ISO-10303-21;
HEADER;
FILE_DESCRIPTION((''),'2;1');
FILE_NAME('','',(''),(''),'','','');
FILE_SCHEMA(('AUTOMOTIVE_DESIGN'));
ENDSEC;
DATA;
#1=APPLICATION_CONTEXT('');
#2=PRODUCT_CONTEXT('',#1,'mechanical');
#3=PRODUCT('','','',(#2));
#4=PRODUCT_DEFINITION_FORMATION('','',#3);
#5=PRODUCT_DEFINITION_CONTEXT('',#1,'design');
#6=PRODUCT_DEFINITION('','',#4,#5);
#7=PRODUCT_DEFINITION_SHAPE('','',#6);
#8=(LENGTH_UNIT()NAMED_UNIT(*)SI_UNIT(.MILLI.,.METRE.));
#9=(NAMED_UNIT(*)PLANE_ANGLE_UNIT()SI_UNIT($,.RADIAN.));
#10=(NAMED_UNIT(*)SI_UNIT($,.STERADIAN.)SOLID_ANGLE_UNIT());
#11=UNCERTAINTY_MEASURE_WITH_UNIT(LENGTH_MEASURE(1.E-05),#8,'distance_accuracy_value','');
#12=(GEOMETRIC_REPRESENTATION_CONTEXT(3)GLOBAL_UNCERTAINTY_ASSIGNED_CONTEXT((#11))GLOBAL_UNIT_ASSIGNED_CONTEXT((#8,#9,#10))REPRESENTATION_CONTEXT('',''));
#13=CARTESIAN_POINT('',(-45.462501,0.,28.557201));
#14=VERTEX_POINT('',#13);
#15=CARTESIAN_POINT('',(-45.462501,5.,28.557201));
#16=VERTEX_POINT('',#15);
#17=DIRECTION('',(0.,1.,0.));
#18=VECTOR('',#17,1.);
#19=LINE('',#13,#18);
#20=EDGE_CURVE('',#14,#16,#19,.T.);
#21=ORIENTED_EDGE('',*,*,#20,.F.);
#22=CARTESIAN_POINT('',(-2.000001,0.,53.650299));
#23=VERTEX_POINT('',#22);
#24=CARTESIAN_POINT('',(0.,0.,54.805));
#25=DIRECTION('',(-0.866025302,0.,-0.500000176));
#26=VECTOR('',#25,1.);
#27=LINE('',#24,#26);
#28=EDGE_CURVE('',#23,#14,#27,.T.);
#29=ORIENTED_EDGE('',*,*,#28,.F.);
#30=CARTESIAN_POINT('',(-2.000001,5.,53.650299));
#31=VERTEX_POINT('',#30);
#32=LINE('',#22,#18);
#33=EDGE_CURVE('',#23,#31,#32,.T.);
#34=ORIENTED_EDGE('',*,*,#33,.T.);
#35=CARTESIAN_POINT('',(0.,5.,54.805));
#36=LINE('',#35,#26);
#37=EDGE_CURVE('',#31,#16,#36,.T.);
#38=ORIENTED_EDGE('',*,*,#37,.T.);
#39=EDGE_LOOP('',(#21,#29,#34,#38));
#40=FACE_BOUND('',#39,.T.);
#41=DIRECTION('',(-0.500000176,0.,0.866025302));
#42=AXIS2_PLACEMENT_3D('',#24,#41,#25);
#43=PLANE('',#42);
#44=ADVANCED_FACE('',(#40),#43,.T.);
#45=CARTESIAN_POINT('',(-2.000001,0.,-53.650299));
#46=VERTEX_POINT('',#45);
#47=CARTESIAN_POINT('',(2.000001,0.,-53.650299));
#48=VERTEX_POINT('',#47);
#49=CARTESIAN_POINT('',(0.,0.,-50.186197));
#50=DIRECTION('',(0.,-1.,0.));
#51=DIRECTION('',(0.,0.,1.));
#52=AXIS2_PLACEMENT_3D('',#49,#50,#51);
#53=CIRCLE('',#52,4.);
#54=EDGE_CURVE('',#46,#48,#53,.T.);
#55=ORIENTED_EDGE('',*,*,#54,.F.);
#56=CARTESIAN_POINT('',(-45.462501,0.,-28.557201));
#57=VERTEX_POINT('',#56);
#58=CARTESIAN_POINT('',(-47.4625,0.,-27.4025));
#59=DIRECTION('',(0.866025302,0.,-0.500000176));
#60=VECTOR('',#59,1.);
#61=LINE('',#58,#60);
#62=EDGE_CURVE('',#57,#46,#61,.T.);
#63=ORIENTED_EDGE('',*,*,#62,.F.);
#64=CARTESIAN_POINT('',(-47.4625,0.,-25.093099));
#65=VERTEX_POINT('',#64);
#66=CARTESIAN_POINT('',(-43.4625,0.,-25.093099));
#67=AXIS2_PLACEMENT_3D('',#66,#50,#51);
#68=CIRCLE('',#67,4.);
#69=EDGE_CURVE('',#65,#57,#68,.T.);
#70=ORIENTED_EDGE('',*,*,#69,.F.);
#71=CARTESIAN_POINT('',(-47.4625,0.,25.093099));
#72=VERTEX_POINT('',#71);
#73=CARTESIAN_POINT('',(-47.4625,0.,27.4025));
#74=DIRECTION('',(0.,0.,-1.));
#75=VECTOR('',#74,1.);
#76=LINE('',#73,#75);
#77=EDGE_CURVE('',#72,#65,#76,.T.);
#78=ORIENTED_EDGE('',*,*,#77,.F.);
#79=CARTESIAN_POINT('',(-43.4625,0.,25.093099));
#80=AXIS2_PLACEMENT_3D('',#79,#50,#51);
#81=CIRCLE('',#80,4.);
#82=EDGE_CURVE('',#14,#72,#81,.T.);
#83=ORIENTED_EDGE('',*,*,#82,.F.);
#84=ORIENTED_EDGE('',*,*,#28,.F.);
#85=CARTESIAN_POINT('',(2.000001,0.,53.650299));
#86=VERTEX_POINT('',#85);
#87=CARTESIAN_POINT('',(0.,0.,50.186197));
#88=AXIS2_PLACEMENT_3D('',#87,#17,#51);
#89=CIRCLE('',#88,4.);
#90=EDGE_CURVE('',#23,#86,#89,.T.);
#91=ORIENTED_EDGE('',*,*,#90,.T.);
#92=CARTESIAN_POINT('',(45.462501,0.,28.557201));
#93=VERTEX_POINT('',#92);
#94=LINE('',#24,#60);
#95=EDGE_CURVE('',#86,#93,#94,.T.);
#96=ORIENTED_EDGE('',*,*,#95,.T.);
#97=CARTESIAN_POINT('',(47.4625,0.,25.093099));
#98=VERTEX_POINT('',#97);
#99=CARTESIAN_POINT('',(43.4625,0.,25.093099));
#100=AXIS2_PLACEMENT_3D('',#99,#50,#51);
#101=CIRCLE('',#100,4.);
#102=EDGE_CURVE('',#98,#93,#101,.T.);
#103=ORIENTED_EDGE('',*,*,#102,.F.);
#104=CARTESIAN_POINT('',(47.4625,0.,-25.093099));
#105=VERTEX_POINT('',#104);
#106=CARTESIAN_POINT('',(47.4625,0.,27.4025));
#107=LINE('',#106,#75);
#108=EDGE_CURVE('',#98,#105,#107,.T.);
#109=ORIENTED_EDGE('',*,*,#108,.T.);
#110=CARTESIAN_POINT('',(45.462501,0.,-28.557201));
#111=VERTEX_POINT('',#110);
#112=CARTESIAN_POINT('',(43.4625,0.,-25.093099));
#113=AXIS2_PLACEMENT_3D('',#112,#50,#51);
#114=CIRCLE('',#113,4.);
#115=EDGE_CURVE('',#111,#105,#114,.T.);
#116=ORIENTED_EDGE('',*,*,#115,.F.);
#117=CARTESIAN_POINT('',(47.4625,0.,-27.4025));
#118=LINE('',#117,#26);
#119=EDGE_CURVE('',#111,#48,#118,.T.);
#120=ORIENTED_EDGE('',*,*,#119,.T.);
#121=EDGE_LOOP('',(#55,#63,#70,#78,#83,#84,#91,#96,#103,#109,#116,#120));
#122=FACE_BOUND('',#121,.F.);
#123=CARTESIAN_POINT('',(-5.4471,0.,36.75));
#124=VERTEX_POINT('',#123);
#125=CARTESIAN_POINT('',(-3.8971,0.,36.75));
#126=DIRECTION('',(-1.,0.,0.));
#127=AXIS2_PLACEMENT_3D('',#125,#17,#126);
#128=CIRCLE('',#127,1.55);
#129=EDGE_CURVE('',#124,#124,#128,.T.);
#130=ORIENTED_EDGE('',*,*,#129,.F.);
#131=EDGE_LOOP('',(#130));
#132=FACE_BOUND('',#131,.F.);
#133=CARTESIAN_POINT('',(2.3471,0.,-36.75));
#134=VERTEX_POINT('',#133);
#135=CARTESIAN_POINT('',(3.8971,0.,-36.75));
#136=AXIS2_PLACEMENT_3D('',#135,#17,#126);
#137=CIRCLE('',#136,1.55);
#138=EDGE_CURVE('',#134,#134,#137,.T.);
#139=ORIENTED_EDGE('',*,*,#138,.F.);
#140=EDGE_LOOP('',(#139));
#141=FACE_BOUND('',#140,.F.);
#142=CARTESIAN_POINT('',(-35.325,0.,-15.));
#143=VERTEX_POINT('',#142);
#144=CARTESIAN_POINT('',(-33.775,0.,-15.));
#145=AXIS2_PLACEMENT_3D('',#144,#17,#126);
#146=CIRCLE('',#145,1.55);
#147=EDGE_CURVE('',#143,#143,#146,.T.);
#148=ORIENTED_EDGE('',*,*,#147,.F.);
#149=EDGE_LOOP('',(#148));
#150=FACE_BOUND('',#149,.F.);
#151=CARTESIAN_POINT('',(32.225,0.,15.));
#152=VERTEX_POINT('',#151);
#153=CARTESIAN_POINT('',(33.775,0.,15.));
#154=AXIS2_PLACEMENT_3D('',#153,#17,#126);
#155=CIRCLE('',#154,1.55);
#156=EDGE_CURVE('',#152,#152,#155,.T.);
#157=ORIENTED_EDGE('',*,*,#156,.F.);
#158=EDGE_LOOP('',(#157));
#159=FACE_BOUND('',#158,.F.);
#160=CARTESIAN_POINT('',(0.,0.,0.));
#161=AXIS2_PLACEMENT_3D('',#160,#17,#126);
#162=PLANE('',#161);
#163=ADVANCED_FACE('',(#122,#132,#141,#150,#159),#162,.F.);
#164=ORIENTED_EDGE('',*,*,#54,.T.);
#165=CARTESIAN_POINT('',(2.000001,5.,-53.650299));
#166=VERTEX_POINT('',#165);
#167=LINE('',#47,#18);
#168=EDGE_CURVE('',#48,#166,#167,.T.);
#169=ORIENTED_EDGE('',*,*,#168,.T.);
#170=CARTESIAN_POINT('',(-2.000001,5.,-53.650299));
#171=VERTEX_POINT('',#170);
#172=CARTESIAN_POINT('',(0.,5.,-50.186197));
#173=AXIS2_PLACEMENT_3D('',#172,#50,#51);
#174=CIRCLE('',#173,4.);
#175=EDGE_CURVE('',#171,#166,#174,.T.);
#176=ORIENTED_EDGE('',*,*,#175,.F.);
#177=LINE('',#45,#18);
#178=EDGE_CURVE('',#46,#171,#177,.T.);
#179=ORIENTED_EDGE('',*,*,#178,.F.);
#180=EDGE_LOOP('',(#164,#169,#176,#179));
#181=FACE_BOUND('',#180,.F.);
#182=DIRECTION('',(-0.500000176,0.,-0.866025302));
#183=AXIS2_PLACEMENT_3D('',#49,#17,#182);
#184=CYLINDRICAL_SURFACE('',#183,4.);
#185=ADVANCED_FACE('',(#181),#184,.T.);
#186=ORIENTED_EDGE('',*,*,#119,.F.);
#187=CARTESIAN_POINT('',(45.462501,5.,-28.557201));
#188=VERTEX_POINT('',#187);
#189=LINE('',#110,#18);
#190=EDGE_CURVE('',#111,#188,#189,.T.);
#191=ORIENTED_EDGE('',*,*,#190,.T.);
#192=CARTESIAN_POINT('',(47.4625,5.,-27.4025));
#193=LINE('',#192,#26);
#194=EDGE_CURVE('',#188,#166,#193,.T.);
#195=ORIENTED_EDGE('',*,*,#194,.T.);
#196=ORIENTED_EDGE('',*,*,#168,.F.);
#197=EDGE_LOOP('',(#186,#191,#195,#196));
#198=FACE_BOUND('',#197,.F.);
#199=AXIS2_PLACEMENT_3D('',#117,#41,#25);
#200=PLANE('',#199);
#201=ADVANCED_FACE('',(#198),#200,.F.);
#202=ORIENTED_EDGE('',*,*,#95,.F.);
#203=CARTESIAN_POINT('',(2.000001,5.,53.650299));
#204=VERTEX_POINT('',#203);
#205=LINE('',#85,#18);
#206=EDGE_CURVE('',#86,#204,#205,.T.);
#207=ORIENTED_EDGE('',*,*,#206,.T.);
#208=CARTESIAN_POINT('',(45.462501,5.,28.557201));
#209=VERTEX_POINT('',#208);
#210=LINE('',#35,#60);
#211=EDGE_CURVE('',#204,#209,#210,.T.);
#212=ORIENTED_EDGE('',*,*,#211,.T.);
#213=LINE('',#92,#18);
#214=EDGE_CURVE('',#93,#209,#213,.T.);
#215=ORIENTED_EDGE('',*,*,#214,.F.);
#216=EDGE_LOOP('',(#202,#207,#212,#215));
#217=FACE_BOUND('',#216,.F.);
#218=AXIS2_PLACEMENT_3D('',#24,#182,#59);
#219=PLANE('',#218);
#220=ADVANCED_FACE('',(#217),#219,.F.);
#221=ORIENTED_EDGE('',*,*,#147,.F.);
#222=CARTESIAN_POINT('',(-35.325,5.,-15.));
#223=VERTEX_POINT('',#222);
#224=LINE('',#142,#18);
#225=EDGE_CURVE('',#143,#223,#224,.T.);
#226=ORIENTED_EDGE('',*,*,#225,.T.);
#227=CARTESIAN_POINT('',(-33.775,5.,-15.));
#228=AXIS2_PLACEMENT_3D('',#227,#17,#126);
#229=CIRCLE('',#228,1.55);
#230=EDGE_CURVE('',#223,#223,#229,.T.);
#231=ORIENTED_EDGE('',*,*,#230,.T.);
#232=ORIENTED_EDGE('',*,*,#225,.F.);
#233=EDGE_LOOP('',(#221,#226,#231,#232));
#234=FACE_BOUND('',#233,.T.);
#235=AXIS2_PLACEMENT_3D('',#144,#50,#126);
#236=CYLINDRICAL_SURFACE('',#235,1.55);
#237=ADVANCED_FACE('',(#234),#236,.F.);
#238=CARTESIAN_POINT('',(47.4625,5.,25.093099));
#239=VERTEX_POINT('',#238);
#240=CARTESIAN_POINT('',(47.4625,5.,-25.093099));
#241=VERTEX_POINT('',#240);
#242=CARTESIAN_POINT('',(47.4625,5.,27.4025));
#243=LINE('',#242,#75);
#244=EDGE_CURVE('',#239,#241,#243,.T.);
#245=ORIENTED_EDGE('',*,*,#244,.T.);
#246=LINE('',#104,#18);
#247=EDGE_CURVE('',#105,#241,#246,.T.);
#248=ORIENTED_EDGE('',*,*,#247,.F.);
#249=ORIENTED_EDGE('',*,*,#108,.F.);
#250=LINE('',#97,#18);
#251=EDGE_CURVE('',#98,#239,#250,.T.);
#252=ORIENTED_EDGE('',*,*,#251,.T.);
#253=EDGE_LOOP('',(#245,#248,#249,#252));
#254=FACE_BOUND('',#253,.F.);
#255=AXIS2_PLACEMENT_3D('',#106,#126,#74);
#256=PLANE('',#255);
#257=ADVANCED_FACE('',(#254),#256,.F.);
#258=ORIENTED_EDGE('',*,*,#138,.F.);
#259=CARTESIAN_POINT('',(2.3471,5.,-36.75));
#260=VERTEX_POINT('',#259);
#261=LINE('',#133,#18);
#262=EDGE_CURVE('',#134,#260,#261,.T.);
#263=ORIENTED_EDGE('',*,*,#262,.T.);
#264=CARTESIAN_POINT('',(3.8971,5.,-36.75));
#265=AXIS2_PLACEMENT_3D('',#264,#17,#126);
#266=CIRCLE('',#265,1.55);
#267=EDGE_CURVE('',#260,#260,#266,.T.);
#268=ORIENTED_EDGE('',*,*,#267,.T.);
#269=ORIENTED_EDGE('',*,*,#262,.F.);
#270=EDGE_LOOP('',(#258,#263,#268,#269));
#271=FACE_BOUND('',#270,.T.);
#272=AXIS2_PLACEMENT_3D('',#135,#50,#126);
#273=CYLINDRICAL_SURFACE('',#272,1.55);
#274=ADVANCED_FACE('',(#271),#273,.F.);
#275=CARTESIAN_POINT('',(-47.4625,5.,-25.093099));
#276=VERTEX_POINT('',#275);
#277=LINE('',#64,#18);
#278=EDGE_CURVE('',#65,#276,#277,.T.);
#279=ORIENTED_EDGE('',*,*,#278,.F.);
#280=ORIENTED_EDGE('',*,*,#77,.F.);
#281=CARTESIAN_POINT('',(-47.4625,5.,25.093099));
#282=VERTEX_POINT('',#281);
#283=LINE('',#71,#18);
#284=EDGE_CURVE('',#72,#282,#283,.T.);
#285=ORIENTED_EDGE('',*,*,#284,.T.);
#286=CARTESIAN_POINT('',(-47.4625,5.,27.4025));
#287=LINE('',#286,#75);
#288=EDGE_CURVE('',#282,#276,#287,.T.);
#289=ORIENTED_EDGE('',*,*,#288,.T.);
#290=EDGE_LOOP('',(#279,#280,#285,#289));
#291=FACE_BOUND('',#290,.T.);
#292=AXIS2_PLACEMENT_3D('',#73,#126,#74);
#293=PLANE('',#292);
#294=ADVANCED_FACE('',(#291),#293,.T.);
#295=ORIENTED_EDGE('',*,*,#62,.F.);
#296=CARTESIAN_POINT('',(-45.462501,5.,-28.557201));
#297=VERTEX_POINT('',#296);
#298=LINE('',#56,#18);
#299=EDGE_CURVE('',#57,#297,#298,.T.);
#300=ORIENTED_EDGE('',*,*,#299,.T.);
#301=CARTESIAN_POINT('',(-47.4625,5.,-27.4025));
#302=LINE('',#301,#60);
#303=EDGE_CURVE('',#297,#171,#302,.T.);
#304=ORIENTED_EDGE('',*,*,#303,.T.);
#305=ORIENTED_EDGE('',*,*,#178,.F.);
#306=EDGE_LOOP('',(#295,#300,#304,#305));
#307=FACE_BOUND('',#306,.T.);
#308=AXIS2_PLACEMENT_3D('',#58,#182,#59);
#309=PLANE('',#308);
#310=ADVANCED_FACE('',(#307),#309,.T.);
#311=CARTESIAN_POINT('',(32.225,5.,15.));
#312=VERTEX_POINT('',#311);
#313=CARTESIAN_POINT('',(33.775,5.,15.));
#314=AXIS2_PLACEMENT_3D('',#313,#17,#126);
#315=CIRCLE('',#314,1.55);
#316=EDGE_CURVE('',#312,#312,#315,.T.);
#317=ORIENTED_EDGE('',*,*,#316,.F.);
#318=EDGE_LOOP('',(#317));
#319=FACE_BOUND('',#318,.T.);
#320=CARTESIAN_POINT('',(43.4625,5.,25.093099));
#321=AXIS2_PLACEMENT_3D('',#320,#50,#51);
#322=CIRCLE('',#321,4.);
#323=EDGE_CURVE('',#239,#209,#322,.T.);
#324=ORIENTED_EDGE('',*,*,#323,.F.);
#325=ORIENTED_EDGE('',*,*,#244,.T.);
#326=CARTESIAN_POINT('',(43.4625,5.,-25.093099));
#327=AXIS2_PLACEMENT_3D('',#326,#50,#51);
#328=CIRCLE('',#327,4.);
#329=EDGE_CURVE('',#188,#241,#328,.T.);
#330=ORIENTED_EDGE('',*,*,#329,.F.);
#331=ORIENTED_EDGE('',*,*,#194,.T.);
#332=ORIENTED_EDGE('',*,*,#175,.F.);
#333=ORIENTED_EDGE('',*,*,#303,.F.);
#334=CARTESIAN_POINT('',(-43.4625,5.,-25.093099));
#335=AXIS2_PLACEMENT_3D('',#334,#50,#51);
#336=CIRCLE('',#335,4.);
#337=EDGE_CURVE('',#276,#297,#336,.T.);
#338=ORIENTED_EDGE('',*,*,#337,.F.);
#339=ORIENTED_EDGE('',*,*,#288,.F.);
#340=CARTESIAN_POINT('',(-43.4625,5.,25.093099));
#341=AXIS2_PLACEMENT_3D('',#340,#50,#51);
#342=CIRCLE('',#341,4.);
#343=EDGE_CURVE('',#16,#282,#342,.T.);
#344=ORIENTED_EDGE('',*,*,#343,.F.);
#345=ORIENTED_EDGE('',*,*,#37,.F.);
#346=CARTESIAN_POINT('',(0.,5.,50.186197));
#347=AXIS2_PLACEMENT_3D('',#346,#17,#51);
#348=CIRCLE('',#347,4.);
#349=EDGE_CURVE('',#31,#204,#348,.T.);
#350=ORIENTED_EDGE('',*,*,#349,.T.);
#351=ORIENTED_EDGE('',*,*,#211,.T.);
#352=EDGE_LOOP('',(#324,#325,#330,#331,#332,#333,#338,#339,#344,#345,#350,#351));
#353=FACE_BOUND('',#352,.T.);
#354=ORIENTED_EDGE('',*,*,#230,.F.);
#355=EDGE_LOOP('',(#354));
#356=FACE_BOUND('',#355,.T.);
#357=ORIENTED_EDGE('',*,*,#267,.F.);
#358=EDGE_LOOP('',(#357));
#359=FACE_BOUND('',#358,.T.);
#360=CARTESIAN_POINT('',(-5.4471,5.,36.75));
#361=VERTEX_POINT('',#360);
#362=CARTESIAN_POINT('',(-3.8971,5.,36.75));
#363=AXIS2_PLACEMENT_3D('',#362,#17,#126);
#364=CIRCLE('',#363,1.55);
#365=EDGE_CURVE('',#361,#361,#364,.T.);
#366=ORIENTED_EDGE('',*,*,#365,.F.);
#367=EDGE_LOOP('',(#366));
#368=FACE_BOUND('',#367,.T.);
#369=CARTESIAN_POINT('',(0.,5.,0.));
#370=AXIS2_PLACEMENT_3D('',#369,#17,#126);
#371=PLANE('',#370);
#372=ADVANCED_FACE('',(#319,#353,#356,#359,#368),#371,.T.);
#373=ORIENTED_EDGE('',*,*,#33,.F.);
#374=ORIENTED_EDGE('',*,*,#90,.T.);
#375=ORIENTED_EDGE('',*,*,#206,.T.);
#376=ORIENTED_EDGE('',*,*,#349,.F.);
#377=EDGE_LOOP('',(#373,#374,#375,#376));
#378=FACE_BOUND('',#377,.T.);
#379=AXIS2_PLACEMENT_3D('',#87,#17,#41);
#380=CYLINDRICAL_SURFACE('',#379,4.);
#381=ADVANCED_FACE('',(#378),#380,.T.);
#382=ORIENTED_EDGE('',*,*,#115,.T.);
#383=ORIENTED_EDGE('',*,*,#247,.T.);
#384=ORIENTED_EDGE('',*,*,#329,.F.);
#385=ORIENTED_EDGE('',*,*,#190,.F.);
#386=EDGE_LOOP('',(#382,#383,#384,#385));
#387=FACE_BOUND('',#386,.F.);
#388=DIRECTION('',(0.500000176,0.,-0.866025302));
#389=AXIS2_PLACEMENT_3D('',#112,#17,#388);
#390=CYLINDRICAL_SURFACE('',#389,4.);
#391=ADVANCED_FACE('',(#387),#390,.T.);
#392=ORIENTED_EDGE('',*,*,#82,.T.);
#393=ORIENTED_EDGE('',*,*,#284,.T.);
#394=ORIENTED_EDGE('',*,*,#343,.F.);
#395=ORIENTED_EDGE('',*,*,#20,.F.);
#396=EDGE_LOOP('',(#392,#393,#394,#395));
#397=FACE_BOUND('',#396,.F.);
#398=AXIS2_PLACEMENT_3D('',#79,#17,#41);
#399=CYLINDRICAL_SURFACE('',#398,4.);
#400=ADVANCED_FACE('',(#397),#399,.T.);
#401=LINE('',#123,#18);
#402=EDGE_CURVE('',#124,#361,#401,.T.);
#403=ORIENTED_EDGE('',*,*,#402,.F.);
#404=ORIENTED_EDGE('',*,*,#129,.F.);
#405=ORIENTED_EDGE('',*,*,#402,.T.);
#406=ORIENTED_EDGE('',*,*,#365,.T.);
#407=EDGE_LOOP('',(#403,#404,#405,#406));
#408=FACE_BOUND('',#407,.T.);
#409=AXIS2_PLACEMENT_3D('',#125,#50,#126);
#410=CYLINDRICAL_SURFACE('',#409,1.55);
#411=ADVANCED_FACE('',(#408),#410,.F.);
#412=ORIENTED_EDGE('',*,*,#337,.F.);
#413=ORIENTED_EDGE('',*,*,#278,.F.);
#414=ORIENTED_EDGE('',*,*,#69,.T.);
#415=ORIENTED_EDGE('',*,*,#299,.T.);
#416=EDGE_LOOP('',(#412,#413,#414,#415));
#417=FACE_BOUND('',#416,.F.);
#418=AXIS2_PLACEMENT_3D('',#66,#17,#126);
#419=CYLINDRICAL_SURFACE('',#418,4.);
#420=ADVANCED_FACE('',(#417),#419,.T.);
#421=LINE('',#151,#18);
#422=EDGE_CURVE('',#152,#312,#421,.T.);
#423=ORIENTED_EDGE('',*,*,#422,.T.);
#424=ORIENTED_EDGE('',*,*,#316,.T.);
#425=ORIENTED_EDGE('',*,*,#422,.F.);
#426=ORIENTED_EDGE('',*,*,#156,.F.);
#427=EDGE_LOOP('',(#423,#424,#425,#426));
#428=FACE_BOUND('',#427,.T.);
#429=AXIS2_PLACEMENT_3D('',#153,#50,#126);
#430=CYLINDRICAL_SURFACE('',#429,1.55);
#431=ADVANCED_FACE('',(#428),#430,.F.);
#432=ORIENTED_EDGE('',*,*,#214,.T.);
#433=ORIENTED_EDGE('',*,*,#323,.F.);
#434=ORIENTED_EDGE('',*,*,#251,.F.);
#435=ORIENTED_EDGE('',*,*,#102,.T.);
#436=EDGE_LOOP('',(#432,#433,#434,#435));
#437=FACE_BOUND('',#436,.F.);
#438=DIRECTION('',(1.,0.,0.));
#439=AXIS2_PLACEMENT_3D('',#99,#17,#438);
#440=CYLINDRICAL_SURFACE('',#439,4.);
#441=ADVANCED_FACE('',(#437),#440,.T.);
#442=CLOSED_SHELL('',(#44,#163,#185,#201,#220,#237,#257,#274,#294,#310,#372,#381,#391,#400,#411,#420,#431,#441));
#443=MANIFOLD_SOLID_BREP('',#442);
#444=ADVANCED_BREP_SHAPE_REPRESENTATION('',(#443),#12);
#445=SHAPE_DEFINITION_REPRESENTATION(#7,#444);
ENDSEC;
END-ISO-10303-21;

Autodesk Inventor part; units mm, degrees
ref_plane "YZ Plane" through (0, 0, 0) normal (1, 0, 0) x (0, 1, 0)
ref_plane "XZ Plane" through (0, 0, 0) normal (0, 1, 0) x (-1, 0, 0)
ref_plane "XY Plane" through (0, 0, 0) normal (0, 0, 1) x (1, 0, 0)
sketch "Sketch1" plane through (0, 0, 0) normal (0, 1, 0) x (-1, 0, 0)
  line L0 (-47.5136, -27.432) -> (-47.5136, 27.432)
  line L1 (-47.5136, 27.432) -> (0, 54.864)
  line L2 (0, 54.864) -> (47.5136, 27.432)
  line L3 (47.5136, 27.432) -> (47.5136, -27.432)
  line L4 (47.5136, -27.432) -> (0, -54.864)
  line L5 (0, -54.864) -> (-47.5136, -27.432)
  line L6 (0, 54.864) -> (47.5136, 27.432)
  line L7 (47.5136, 27.432) -> (47.5136, -27.432)
  line L8 (47.5136, -27.432) -> (0, -54.864)
  line L9 (0, -54.864) -> (-47.5136, -27.432)
  line L10 (-47.5136, -27.432) -> (-47.5136, 27.432)
  line L11 (-47.5136, 27.432) -> (0, 54.864)
  line L12 (0, 54.805) -> (-47.4625, 27.4025)
  line L13 (-47.4625, 27.4025) -> (-47.4625, -27.4025)
  line L14 (-47.4625, -27.4025) -> (0, -54.805)
  line L15 (-47.4625, 27.4025) -> (0, 54.805)
  line L16 (0, 54.805) -> (47.4625, 27.4025)
  line L17 (47.4625, 27.4025) -> (47.4625, -27.4025)
  line L18 (47.4625, -27.4025) -> (0, -54.805)
  line L19 (0, -54.805) -> (-47.4625, -27.4025)
  line L20 (-47.4625, -27.4025) -> (-47.4625, 27.4025)
  circle A0 centre (-33.775, 15) radius 1.55
  circle A1 centre (-3.8971, -36.75) radius 1.55
  circle A2 centre (33.775, -15) radius 1.55
  circle A3 centre (3.8971, 36.75) radius 1.55
  line L21 (-33.775, 19.5) -> (0, 39) construction
  line L22 (0, 39) -> (33.775, 19.5) construction
  line L23 (33.775, 19.5) -> (33.775, -19.5) construction
  line L24 (33.775, -19.5) -> (0, -39) construction
  line L25 (0, -39) -> (-33.775, -19.5) construction
  line L26 (-33.775, -19.5) -> (-33.775, 19.5) construction
  line L27 (-44.5136, -25.6999) -> (-44.5136, 25.6999)
  line L28 (-44.5136, 25.6999) -> (0, 51.3999)
  line L29 (0, 51.3999) -> (44.5136, 25.6999)
  line L30 (44.5136, 25.6999) -> (44.5136, -25.6999)
  line L31 (0, -51.3999) -> (-44.5136, -25.6999)
  line L32 (47.5136, -27.432) -> (47.5136, 27.432)
  line L33 (47.5136, 27.432) -> (0, 54.864)
  line L34 (0, 54.864) -> (-47.5136, 27.432)
  line L35 (-47.5136, 27.432) -> (-47.5136, -27.432)
  line L36 (-47.5136, -27.432) -> (0, -54.864)
  line L37 (0, -54.864) -> (47.5136, -27.432)
  line L38 (44.5136, 25.6999) -> (44.5136, -25.6999)
  line L39 (29.2636, 11) -> (29.2636, -11)
  line L40 (44.5136, -11) -> (44.5136, 11)
  line L41 (44.5136, 0) -> (46.3422, 0) construction
  line L42 (0, -33.7907) -> (-29.2636, -16.8954) construction
  line L43 (-29.2636, -16.8954) -> (-29.2636, 16.8954) construction
  line L44 (-29.2636, 16.8954) -> (-16.4566, 24.2895) construction
  line L45 (0, 33.7907) -> (29.2636, 16.8954) construction
  line L46 (29.2636, 16.8954) -> (29.2636, -16.8954) construction
  line L47 (29.2636, -16.8954) -> (16.4566, -24.2895) construction
  line L48 (0, -51.3999) -> (-44.5136, -25.6999) construction
  line L49 (20.432, -39.6035) -> (0, -51.3999) construction
  line L50 (44.5136, -25.6999) -> (24.0816, -37.4964) construction
  line L51 (44.5136, 25.6999) -> (44.5136, -25.6999) construction
  line L52 (0, 51.3999) -> (44.5136, 25.6999) construction
  line L53 (-20.432, 39.6035) -> (0, 51.3999) construction
  line L54 (-44.5136, 25.6999) -> (-24.0816, 37.4964) construction
  line L55 (-44.5136, -25.6999) -> (-44.5136, 25.6999) construction
  line L56 (29.2636, 16.8954) -> (0, 33.7907)
  line L57 (31.7831, 33.0499) -> (12.7305, 44.0499)
  line L58 (22.2568, 38.5499) -> (22.6365, 39.2076)
  line L59 (0, 51.3999) -> (44.5136, 25.6999)
  line L60 (0, 33.7907) -> (29.2636, 16.8954)
  line L61 (0, 0) -> (0, -5.712) construction
  line L62 (0, 0) -> (4.8403, -2.7945) construction
  line L63 (29.2636, 16.8954) -> (29.2636, -16.8954) construction
  line L64 (-44.5136, -11) -> (-44.5136, 11)
  line L65 (-22.2568, -38.5499) -> (-22.6365, -39.2076)
  line L66 (-12.7305, -44.0499) -> (-31.7831, -33.0499)
  line L67 (-24.1581, -19.843) -> (-5.1055, -30.843)
  line L68 (0, -54.864) -> (47.5136, -27.432) construction
  line L69 (23.7568, -41.148) -> (25.1641, -43.5855) construction
  line L70 (29.2636, -16.8954) -> (0, -33.7907)
  line L71 (0, 0) -> (6.6102, 3.8164) construction
  line L72 (0, 51.3999) -> (-44.5136, 25.6999)
  line L73 (0, 33.7907) -> (-29.2636, 16.8954) construction
  line L74 (-24.1581, 19.843) -> (-31.7831, 33.0499)
  line L75 (-31.7831, 33.0499) -> (-12.7305, 44.0499)
  line L76 (5.1055, -30.843) -> (24.1581, -19.843)
  line L77 (0, -33.7907) -> (29.2636, -16.8954)
  line L78 (41.3094, 27.5499) -> (29.4425, 34.4013)
  line L79 (31.7831, 33.0499) -> (12.7305, 44.0499)
  line L80 (-12.7305, 44.0499) -> (-31.7831, 33.0499)
  line L81 (-31.7831, 33.0499) -> (-24.1581, 19.843)
  line L82 (-5.1055, -30.843) -> (-24.1581, -19.843)
  line L83 (0, -33.7907) -> (-29.2636, -16.8954)
  line L84 (-31.7831, -33.0499) -> (-12.7305, -44.0499)
  line L85 (12.807, -26.3966) -> (0, -33.7907)
  line L86 (-12.807, 26.3966) -> (0, 33.7907)
  point P0 (-44.5136, 0)
  point P1 (-44.5136, 0)
  dimension "d0" = 54.864
  dimension "d1" = 0
  dimension "d3" = 39
  dimension "d6" = 4.5
  dimension "d7" = 4.5
  dimension "d11" = 4.5
  dimension "d15" = 4.5
extrude "Extrusion2" add sketch "Sketch1" along normal blind 5 contours L16 L17 L18 L14 L13 L12
fillet "Fillet1" radius 4 6 edges at (47.4625, 2.5, 27.4025) (0, 2.5, 54.805) (-47.4625, 2.5, 27.4025) (-47.4625, 2.5, -27.4025) (0, 2.5, -54.805) (47.4625, 2.5, -27.4025)
equation "\"d6\" = d4"
equation "\"d7\" = d5"
equation "\"d11\" = d4"
equation "\"d15\" = d9"
equation "\"d5\" = d4"
equation "\"d9\" = d4"
equation "\"d4\" = 4.5"
properties part number "tapa"
